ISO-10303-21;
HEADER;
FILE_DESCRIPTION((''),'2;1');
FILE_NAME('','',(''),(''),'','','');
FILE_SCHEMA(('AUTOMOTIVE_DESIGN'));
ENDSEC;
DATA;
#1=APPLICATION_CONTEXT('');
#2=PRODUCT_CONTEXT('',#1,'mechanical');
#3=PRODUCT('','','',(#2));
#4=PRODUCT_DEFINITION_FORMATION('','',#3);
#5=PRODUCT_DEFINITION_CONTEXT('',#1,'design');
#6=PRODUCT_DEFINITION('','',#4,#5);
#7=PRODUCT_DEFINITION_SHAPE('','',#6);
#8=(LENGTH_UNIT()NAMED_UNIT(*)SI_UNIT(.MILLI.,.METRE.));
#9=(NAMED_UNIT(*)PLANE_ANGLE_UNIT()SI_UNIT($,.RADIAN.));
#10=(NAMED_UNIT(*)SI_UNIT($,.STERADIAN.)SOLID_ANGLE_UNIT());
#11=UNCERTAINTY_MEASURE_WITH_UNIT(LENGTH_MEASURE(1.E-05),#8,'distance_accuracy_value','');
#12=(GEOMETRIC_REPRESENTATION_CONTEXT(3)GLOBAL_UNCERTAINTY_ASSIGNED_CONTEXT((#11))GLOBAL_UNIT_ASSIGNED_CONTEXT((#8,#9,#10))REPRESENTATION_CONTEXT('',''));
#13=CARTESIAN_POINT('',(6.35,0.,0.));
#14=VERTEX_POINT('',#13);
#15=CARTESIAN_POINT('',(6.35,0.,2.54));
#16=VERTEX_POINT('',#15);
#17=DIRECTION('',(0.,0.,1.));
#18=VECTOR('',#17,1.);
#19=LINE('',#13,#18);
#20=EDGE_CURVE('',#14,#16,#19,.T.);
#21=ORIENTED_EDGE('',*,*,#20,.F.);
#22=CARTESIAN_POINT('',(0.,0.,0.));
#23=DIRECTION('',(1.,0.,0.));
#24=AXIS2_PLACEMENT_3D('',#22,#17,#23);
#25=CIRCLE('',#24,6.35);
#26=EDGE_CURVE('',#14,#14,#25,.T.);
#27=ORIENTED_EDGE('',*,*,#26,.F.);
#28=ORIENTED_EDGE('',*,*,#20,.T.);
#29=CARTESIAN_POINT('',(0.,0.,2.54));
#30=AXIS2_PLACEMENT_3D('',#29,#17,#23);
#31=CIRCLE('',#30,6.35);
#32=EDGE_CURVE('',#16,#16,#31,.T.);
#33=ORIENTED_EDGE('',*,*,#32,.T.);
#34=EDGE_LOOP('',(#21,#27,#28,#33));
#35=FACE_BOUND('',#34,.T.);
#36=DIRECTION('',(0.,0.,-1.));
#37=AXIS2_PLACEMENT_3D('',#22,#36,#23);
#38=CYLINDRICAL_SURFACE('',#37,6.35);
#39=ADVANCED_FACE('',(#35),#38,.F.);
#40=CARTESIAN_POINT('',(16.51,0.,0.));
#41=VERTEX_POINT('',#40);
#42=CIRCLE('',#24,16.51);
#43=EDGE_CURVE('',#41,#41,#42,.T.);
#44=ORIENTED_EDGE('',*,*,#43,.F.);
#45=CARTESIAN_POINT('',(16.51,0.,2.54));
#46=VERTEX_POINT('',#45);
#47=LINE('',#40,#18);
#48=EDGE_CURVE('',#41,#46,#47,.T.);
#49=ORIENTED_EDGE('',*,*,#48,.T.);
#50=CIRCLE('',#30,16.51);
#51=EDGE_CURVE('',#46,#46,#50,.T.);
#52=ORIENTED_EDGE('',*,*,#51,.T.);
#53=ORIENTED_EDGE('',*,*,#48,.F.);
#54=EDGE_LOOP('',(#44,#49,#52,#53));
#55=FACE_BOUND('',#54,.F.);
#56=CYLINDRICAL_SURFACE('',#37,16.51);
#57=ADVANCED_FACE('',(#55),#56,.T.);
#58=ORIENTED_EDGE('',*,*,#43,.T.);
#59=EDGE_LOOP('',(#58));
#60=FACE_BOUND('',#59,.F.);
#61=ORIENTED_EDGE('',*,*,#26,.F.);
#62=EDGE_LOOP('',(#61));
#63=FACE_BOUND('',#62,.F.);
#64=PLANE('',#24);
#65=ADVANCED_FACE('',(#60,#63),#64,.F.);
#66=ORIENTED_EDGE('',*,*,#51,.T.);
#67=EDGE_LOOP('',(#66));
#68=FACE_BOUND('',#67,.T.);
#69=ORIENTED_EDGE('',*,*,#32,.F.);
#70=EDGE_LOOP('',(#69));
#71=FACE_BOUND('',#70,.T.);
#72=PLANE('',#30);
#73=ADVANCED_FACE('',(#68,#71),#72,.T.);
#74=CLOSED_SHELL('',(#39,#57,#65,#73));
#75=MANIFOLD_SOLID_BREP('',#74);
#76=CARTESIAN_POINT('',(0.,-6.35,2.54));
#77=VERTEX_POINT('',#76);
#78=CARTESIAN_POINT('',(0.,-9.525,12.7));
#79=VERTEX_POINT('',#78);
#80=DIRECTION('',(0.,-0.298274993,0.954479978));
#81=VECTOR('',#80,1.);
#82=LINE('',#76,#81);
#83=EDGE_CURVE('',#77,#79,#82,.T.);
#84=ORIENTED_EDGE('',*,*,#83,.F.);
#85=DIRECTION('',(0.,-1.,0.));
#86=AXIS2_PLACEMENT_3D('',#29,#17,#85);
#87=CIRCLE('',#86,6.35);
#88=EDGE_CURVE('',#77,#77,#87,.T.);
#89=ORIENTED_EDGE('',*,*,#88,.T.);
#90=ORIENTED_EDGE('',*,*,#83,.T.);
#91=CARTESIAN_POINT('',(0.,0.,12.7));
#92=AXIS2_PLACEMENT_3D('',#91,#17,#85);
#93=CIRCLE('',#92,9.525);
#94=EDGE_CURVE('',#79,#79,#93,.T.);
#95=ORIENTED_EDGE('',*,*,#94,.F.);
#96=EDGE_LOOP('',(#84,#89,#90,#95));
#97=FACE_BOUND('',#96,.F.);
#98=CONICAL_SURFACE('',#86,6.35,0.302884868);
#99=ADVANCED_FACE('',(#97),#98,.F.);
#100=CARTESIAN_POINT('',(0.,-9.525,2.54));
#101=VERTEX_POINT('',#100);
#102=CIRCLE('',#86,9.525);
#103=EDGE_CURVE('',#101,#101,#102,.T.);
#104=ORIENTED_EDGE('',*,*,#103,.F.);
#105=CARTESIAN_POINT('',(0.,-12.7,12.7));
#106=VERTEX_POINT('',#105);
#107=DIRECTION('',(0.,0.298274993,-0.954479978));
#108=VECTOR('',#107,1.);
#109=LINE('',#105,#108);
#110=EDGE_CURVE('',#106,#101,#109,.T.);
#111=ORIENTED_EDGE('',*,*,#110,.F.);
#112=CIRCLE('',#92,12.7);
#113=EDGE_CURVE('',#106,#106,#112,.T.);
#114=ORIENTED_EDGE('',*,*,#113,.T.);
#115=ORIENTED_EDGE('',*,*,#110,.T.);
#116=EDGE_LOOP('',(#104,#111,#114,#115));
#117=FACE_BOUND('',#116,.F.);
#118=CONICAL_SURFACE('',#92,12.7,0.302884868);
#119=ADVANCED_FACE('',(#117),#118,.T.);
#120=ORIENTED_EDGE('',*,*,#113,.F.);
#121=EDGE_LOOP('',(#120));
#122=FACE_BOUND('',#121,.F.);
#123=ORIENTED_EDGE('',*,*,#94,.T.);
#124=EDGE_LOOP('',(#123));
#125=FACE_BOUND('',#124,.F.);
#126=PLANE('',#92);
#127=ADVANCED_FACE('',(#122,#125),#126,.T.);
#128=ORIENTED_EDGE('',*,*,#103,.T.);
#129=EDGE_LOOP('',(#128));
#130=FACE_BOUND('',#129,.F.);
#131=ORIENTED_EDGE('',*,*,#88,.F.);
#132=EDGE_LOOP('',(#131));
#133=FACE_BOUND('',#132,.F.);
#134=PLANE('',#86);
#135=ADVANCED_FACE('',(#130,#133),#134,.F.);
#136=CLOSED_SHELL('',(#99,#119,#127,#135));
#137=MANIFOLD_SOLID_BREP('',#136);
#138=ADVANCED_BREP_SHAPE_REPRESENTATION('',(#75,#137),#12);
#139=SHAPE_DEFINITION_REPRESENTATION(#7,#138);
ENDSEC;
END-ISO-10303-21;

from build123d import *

# Parameters (mm, degrees)
F0_R     = 16.51
F0_R_2   = 9.525
F0_R_3   = 6.35
F2_DEPTH = 2.54


with BuildPart() as f2:
    # F0 (on Top) → F2 (new body)
    with BuildSketch(Plane.XY):
        Circle(F0_R)
        Circle(F0_R_2, mode=Mode.SUBTRACT)
        Circle(F0_R_2)
        Circle(F0_R_3, mode=Mode.SUBTRACT)
    extrude(amount=F2_DEPTH)


with BuildPart() as f3:
    # F1 (on Right) → F3 (revolve)
    with BuildSketch(Plane.YZ):
        Polygon((-9.525, 2.54), (-6.35, 2.54), (-9.525, 12.7), (-12.7, 12.7), align=None)
    revolve(axis=Axis((0, 0, 1.27), (0, 0, 1)))


solid = Compound([f2.part, f3.part])
